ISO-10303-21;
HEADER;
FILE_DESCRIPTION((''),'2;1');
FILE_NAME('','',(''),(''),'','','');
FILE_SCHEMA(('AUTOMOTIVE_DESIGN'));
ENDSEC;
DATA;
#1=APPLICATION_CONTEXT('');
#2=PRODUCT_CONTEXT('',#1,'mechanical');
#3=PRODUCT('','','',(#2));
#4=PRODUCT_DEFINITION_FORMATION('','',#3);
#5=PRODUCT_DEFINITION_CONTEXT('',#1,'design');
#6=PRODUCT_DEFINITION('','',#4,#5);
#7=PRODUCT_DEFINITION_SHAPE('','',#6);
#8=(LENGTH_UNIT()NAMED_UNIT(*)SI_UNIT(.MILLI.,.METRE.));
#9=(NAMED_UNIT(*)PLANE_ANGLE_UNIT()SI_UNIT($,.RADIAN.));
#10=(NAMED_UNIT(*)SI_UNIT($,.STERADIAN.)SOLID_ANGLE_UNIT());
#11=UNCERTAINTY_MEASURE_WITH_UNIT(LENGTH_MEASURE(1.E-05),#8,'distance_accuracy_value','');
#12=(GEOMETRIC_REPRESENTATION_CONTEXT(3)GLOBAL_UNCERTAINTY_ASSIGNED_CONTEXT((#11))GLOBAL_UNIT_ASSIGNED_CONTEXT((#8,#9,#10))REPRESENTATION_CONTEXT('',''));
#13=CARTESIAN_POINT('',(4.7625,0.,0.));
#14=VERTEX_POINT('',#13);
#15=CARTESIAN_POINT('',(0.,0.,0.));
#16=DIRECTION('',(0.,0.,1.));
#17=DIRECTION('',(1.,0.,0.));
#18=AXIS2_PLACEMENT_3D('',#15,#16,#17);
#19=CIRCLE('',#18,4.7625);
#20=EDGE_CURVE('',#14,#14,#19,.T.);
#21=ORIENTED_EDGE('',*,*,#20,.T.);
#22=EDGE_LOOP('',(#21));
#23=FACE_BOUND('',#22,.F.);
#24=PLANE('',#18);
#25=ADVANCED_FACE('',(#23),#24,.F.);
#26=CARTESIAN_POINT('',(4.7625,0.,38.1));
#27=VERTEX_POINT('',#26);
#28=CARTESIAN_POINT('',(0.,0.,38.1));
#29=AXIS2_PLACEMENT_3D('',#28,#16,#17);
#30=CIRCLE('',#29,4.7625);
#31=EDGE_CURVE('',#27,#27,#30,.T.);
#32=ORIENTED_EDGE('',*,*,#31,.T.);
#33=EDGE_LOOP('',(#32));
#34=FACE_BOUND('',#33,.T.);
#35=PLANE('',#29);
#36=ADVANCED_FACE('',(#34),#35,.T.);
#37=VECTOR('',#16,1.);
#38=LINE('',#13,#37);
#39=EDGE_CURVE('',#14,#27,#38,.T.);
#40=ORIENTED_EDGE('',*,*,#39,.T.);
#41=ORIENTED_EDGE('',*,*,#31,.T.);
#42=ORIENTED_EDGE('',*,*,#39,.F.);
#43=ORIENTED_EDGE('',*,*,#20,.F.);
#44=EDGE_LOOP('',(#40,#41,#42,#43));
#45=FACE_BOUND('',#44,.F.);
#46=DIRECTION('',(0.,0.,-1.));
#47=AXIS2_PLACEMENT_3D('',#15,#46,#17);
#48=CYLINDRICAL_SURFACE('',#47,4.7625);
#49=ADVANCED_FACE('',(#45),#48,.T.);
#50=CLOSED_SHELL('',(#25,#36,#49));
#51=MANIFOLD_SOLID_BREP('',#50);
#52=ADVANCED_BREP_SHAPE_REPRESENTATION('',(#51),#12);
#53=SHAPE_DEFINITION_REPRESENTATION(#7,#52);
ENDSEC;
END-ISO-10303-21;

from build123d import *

# Parameters (mm, degrees)
SKETCH1_R          = 4.7625
BASE_EXTRUDE_DEPTH = 38.1


with BuildPart() as part:
    # Sketch1 → Base-Extrude (new body)
    with BuildSketch(Plane.XY):
        Circle(SKETCH1_R)
    extrude(amount=BASE_EXTRUDE_DEPTH)


solid = part.part
